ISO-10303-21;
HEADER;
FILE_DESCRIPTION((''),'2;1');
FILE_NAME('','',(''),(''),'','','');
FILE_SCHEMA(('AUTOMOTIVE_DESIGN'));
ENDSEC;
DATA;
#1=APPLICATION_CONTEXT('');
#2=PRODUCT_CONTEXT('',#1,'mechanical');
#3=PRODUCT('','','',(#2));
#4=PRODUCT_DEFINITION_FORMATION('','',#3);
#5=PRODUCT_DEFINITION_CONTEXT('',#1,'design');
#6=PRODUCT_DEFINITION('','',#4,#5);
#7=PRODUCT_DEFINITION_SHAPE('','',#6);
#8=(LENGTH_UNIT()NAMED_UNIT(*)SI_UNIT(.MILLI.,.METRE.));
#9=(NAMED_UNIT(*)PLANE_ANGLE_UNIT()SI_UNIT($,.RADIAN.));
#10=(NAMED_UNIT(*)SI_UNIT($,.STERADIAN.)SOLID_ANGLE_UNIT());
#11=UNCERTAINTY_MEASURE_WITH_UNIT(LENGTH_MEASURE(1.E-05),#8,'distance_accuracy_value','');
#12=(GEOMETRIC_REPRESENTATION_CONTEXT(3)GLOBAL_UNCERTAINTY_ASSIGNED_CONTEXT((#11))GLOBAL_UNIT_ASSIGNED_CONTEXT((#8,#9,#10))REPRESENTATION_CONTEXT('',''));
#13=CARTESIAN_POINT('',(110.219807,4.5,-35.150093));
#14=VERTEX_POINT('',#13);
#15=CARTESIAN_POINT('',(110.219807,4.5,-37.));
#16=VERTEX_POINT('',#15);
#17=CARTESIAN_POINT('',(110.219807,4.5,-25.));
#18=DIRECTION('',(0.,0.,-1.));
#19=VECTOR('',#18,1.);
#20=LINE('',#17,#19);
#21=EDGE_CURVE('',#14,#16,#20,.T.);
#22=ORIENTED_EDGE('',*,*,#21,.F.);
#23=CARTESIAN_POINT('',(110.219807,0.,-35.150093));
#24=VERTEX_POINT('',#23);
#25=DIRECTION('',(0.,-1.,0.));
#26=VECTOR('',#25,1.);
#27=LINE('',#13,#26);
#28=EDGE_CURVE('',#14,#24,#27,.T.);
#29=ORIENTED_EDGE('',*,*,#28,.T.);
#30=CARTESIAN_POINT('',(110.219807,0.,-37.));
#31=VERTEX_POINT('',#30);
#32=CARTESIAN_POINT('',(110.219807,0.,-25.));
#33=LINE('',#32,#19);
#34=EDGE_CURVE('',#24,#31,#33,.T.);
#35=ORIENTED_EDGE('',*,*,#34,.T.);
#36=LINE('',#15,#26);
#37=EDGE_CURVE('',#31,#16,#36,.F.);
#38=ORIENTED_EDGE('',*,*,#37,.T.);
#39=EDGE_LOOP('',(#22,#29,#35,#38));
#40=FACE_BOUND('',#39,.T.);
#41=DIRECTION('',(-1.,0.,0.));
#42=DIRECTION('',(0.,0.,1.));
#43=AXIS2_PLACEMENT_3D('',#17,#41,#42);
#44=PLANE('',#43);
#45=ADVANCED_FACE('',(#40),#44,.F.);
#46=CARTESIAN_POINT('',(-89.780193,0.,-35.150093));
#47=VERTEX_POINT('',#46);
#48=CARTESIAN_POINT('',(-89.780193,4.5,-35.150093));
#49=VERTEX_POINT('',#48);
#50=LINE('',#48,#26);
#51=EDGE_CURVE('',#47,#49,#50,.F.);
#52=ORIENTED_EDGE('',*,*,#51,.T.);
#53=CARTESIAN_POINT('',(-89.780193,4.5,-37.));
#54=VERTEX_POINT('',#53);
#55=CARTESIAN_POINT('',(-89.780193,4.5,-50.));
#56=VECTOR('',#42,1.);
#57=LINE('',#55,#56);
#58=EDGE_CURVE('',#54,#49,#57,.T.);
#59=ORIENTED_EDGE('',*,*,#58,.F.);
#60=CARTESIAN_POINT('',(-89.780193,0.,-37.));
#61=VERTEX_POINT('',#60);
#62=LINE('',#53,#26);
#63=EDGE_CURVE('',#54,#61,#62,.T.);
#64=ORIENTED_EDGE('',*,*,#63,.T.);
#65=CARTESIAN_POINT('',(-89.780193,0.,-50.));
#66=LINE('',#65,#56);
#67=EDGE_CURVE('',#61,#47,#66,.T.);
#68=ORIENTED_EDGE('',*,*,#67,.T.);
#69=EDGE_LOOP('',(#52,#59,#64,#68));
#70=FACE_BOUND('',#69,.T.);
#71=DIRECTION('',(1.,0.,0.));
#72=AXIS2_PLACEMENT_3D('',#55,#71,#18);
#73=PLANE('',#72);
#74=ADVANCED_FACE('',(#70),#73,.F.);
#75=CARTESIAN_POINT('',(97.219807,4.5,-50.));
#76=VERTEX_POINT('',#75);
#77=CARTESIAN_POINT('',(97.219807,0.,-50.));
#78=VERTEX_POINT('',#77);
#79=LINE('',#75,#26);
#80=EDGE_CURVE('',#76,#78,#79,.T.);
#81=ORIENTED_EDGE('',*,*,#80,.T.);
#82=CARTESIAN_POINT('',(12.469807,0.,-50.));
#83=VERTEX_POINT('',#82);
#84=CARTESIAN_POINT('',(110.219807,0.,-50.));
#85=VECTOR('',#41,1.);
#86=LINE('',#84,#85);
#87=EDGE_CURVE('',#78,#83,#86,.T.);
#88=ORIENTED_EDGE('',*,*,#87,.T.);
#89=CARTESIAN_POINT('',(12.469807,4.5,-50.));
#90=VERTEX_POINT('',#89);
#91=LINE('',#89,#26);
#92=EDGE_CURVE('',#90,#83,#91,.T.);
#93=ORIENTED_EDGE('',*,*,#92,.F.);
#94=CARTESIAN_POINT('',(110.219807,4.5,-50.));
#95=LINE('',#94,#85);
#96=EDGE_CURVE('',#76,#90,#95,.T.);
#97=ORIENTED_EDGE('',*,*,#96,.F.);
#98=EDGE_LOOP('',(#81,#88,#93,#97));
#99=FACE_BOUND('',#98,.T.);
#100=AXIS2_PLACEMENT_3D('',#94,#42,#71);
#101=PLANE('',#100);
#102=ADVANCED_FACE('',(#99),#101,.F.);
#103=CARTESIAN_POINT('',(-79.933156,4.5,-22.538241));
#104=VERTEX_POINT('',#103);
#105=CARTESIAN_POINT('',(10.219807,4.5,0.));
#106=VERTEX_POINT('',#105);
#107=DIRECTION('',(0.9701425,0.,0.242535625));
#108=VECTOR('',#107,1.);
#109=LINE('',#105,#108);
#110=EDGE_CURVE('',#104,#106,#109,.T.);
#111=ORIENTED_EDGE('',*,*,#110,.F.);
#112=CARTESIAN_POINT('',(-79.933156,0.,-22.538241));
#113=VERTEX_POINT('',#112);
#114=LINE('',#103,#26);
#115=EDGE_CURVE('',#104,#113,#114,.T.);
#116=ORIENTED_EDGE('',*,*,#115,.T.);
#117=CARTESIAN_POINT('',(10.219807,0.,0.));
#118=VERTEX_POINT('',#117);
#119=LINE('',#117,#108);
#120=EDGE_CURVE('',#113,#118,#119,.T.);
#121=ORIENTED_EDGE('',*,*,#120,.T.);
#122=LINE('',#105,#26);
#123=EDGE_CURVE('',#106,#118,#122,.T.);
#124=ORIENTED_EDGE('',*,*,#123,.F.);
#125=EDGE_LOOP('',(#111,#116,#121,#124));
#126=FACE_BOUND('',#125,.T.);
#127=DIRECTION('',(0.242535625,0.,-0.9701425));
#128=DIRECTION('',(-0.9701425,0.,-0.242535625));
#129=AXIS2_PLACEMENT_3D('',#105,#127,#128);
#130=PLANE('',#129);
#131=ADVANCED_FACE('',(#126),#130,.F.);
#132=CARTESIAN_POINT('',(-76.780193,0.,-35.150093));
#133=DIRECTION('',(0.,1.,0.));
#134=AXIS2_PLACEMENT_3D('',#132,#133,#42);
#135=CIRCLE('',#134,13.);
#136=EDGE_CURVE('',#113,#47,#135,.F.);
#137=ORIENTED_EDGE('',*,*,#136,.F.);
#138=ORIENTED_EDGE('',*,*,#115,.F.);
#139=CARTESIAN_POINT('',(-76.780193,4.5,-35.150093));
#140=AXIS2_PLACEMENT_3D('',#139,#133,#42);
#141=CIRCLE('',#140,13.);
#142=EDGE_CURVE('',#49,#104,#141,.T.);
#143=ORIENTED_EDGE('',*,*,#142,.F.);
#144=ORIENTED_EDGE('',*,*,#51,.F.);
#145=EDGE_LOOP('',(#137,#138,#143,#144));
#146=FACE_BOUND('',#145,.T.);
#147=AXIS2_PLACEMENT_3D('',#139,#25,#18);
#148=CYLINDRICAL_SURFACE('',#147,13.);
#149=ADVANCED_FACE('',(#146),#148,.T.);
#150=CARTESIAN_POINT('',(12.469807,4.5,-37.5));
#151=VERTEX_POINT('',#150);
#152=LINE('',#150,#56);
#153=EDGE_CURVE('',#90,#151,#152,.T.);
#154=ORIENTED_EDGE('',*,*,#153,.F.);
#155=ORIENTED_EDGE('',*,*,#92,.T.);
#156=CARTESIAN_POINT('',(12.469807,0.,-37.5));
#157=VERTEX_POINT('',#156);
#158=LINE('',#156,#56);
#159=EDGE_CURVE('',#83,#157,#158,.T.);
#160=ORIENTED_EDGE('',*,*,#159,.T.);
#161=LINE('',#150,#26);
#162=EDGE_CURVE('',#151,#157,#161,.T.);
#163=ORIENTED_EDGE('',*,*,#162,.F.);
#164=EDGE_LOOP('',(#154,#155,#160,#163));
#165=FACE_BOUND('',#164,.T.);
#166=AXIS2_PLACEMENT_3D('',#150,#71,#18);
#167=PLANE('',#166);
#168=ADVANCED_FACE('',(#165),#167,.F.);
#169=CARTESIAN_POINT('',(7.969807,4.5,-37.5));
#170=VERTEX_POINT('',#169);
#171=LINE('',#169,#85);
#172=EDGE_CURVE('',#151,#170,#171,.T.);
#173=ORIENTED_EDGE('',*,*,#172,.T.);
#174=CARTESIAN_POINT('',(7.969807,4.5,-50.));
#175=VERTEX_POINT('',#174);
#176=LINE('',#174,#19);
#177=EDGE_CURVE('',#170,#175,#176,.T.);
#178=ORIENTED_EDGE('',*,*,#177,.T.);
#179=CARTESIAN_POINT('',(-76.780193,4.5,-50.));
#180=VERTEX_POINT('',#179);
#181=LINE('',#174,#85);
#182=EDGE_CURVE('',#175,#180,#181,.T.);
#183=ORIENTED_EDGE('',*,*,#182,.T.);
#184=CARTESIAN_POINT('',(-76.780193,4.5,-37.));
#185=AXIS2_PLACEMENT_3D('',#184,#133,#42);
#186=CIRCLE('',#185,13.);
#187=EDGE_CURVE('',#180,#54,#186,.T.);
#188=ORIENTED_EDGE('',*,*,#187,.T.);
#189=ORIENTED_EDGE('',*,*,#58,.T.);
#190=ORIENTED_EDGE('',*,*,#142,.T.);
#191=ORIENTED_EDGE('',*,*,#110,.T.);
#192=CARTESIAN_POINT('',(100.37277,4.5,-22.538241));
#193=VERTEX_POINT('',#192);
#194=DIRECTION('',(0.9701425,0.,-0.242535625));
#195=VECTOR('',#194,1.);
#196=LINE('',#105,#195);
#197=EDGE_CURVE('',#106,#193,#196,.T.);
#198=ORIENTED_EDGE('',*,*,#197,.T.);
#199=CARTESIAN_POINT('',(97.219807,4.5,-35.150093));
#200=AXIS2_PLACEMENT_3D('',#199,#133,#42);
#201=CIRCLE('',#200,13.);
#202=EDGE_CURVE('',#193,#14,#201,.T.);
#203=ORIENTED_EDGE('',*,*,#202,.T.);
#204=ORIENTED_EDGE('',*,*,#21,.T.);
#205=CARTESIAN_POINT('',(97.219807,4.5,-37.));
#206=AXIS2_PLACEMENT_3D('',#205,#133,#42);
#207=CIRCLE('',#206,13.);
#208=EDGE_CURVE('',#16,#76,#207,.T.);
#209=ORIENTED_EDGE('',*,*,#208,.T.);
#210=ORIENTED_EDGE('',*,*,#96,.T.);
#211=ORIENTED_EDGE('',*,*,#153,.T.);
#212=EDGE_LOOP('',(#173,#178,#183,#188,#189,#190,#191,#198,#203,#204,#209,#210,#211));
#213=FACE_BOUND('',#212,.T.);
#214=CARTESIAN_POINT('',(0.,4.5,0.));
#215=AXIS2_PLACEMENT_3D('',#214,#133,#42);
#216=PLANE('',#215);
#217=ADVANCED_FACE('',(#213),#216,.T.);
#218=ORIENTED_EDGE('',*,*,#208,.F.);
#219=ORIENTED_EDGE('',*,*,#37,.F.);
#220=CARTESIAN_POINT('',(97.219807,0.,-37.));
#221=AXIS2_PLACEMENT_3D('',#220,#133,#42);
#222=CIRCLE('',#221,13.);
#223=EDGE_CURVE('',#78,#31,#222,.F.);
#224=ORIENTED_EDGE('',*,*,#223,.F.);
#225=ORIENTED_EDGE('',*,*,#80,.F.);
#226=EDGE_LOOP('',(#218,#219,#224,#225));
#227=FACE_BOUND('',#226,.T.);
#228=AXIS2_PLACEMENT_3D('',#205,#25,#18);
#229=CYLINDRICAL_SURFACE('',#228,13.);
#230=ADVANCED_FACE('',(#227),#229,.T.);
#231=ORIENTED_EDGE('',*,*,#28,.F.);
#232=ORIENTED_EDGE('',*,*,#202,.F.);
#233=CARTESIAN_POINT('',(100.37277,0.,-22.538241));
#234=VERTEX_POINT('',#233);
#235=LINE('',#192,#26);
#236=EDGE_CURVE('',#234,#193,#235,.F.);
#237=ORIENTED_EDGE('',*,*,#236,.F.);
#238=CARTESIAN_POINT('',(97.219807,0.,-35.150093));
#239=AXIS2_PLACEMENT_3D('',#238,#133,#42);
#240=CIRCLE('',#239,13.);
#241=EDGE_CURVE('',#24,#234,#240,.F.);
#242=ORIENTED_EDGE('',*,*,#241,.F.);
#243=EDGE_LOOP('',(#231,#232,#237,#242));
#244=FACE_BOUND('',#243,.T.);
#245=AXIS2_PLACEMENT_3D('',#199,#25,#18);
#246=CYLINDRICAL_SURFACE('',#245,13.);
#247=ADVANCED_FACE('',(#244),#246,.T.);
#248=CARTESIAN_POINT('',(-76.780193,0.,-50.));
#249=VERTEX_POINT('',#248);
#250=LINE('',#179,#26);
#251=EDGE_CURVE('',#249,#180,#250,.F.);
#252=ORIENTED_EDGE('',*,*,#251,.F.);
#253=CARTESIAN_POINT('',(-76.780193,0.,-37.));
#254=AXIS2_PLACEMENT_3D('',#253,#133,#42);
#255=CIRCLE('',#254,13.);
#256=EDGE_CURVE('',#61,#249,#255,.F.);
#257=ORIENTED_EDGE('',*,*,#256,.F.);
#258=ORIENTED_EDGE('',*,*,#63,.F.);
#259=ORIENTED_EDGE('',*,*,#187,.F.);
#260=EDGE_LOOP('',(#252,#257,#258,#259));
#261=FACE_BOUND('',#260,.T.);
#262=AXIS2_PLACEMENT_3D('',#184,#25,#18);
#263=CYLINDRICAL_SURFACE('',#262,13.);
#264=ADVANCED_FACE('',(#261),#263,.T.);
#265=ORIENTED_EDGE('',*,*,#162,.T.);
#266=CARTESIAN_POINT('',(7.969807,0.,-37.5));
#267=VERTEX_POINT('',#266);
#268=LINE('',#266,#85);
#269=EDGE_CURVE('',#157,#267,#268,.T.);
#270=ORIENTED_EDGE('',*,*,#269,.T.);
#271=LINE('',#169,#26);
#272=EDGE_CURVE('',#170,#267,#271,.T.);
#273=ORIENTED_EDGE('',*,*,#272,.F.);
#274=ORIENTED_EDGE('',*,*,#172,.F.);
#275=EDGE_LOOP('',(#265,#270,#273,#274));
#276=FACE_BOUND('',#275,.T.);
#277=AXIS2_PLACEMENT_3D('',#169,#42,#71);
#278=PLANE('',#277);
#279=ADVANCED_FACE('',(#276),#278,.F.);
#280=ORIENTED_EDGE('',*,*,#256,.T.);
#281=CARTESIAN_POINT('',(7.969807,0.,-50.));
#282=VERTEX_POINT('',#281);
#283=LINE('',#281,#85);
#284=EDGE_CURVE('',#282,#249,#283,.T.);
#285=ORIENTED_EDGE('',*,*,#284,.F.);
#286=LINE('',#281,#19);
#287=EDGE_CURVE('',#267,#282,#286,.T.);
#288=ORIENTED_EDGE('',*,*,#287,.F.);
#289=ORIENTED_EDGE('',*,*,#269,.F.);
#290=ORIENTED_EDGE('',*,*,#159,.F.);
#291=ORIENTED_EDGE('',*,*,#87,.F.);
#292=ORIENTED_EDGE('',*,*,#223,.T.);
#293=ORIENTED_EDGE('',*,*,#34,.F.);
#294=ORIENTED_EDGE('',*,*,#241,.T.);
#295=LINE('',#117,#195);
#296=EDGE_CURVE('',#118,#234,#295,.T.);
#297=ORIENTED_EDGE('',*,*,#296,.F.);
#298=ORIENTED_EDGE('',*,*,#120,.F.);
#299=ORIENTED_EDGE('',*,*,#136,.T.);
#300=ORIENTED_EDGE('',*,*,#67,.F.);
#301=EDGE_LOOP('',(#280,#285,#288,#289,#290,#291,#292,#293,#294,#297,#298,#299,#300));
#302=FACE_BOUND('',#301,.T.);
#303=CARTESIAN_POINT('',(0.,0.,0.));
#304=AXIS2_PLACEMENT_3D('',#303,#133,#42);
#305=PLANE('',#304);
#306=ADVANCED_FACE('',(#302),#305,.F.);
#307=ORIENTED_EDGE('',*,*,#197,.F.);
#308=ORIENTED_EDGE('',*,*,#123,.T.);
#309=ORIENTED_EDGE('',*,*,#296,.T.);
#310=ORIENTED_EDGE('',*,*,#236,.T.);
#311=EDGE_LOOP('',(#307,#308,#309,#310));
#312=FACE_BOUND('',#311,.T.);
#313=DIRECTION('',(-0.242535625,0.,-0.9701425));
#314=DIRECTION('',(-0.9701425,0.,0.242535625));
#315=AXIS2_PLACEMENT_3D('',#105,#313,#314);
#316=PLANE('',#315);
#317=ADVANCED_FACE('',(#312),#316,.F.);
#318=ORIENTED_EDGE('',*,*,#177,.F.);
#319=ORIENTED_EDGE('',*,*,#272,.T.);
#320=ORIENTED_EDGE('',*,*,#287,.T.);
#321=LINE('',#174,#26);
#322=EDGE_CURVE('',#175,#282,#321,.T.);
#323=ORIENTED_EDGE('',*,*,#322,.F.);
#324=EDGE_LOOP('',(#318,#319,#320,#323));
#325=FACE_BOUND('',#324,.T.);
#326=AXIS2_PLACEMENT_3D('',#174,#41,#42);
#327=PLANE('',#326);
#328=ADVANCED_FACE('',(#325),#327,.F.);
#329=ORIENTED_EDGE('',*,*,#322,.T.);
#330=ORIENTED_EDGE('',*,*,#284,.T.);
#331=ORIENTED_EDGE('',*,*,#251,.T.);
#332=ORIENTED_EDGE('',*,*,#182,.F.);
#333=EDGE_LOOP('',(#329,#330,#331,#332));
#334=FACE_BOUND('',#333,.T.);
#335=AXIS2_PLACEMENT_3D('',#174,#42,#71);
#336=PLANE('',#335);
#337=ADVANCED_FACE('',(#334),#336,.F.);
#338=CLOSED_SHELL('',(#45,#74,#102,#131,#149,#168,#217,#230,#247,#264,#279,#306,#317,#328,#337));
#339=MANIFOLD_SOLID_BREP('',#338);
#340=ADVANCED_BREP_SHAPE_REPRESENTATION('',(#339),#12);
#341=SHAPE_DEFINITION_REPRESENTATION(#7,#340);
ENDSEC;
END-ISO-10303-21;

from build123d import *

# Parameters (mm, degrees)
BOSS_EXTRUDE1_DEPTH = 4.5
FILLET1_R           = 13


with BuildPart() as part:
    # Sketch1 → Boss-Extrude1 (new body)
    with BuildSketch(Plane(origin=(0, 0, 0), x_dir=(1, 0, 0), z_dir=(0, 1, 0))):
        Polygon((110.219806784, 25), (110.219806784, 50), (12.469806784, 50), (12.469806784, 37.5), (7.969806784, 37.5), (7.969806784, 50), (-89.780193216, 50), (-89.780193216, 25), (10.219806784, 0), align=None)
    extrude(amount=BOSS_EXTRUDE1_DEPTH)

    # Fillet1
    fillet1_edges = [part.edges().sort_by_distance(p)[0] for p in [
        (110.219806784, 2.25, -50),
        (110.219806784, 2.25, -25),
        (-89.780193216, 2.25, -25),
        (-89.780193216, 2.25, -50),
    ]]
    fillet(fillet1_edges, radius=FILLET1_R)


solid = part.part
